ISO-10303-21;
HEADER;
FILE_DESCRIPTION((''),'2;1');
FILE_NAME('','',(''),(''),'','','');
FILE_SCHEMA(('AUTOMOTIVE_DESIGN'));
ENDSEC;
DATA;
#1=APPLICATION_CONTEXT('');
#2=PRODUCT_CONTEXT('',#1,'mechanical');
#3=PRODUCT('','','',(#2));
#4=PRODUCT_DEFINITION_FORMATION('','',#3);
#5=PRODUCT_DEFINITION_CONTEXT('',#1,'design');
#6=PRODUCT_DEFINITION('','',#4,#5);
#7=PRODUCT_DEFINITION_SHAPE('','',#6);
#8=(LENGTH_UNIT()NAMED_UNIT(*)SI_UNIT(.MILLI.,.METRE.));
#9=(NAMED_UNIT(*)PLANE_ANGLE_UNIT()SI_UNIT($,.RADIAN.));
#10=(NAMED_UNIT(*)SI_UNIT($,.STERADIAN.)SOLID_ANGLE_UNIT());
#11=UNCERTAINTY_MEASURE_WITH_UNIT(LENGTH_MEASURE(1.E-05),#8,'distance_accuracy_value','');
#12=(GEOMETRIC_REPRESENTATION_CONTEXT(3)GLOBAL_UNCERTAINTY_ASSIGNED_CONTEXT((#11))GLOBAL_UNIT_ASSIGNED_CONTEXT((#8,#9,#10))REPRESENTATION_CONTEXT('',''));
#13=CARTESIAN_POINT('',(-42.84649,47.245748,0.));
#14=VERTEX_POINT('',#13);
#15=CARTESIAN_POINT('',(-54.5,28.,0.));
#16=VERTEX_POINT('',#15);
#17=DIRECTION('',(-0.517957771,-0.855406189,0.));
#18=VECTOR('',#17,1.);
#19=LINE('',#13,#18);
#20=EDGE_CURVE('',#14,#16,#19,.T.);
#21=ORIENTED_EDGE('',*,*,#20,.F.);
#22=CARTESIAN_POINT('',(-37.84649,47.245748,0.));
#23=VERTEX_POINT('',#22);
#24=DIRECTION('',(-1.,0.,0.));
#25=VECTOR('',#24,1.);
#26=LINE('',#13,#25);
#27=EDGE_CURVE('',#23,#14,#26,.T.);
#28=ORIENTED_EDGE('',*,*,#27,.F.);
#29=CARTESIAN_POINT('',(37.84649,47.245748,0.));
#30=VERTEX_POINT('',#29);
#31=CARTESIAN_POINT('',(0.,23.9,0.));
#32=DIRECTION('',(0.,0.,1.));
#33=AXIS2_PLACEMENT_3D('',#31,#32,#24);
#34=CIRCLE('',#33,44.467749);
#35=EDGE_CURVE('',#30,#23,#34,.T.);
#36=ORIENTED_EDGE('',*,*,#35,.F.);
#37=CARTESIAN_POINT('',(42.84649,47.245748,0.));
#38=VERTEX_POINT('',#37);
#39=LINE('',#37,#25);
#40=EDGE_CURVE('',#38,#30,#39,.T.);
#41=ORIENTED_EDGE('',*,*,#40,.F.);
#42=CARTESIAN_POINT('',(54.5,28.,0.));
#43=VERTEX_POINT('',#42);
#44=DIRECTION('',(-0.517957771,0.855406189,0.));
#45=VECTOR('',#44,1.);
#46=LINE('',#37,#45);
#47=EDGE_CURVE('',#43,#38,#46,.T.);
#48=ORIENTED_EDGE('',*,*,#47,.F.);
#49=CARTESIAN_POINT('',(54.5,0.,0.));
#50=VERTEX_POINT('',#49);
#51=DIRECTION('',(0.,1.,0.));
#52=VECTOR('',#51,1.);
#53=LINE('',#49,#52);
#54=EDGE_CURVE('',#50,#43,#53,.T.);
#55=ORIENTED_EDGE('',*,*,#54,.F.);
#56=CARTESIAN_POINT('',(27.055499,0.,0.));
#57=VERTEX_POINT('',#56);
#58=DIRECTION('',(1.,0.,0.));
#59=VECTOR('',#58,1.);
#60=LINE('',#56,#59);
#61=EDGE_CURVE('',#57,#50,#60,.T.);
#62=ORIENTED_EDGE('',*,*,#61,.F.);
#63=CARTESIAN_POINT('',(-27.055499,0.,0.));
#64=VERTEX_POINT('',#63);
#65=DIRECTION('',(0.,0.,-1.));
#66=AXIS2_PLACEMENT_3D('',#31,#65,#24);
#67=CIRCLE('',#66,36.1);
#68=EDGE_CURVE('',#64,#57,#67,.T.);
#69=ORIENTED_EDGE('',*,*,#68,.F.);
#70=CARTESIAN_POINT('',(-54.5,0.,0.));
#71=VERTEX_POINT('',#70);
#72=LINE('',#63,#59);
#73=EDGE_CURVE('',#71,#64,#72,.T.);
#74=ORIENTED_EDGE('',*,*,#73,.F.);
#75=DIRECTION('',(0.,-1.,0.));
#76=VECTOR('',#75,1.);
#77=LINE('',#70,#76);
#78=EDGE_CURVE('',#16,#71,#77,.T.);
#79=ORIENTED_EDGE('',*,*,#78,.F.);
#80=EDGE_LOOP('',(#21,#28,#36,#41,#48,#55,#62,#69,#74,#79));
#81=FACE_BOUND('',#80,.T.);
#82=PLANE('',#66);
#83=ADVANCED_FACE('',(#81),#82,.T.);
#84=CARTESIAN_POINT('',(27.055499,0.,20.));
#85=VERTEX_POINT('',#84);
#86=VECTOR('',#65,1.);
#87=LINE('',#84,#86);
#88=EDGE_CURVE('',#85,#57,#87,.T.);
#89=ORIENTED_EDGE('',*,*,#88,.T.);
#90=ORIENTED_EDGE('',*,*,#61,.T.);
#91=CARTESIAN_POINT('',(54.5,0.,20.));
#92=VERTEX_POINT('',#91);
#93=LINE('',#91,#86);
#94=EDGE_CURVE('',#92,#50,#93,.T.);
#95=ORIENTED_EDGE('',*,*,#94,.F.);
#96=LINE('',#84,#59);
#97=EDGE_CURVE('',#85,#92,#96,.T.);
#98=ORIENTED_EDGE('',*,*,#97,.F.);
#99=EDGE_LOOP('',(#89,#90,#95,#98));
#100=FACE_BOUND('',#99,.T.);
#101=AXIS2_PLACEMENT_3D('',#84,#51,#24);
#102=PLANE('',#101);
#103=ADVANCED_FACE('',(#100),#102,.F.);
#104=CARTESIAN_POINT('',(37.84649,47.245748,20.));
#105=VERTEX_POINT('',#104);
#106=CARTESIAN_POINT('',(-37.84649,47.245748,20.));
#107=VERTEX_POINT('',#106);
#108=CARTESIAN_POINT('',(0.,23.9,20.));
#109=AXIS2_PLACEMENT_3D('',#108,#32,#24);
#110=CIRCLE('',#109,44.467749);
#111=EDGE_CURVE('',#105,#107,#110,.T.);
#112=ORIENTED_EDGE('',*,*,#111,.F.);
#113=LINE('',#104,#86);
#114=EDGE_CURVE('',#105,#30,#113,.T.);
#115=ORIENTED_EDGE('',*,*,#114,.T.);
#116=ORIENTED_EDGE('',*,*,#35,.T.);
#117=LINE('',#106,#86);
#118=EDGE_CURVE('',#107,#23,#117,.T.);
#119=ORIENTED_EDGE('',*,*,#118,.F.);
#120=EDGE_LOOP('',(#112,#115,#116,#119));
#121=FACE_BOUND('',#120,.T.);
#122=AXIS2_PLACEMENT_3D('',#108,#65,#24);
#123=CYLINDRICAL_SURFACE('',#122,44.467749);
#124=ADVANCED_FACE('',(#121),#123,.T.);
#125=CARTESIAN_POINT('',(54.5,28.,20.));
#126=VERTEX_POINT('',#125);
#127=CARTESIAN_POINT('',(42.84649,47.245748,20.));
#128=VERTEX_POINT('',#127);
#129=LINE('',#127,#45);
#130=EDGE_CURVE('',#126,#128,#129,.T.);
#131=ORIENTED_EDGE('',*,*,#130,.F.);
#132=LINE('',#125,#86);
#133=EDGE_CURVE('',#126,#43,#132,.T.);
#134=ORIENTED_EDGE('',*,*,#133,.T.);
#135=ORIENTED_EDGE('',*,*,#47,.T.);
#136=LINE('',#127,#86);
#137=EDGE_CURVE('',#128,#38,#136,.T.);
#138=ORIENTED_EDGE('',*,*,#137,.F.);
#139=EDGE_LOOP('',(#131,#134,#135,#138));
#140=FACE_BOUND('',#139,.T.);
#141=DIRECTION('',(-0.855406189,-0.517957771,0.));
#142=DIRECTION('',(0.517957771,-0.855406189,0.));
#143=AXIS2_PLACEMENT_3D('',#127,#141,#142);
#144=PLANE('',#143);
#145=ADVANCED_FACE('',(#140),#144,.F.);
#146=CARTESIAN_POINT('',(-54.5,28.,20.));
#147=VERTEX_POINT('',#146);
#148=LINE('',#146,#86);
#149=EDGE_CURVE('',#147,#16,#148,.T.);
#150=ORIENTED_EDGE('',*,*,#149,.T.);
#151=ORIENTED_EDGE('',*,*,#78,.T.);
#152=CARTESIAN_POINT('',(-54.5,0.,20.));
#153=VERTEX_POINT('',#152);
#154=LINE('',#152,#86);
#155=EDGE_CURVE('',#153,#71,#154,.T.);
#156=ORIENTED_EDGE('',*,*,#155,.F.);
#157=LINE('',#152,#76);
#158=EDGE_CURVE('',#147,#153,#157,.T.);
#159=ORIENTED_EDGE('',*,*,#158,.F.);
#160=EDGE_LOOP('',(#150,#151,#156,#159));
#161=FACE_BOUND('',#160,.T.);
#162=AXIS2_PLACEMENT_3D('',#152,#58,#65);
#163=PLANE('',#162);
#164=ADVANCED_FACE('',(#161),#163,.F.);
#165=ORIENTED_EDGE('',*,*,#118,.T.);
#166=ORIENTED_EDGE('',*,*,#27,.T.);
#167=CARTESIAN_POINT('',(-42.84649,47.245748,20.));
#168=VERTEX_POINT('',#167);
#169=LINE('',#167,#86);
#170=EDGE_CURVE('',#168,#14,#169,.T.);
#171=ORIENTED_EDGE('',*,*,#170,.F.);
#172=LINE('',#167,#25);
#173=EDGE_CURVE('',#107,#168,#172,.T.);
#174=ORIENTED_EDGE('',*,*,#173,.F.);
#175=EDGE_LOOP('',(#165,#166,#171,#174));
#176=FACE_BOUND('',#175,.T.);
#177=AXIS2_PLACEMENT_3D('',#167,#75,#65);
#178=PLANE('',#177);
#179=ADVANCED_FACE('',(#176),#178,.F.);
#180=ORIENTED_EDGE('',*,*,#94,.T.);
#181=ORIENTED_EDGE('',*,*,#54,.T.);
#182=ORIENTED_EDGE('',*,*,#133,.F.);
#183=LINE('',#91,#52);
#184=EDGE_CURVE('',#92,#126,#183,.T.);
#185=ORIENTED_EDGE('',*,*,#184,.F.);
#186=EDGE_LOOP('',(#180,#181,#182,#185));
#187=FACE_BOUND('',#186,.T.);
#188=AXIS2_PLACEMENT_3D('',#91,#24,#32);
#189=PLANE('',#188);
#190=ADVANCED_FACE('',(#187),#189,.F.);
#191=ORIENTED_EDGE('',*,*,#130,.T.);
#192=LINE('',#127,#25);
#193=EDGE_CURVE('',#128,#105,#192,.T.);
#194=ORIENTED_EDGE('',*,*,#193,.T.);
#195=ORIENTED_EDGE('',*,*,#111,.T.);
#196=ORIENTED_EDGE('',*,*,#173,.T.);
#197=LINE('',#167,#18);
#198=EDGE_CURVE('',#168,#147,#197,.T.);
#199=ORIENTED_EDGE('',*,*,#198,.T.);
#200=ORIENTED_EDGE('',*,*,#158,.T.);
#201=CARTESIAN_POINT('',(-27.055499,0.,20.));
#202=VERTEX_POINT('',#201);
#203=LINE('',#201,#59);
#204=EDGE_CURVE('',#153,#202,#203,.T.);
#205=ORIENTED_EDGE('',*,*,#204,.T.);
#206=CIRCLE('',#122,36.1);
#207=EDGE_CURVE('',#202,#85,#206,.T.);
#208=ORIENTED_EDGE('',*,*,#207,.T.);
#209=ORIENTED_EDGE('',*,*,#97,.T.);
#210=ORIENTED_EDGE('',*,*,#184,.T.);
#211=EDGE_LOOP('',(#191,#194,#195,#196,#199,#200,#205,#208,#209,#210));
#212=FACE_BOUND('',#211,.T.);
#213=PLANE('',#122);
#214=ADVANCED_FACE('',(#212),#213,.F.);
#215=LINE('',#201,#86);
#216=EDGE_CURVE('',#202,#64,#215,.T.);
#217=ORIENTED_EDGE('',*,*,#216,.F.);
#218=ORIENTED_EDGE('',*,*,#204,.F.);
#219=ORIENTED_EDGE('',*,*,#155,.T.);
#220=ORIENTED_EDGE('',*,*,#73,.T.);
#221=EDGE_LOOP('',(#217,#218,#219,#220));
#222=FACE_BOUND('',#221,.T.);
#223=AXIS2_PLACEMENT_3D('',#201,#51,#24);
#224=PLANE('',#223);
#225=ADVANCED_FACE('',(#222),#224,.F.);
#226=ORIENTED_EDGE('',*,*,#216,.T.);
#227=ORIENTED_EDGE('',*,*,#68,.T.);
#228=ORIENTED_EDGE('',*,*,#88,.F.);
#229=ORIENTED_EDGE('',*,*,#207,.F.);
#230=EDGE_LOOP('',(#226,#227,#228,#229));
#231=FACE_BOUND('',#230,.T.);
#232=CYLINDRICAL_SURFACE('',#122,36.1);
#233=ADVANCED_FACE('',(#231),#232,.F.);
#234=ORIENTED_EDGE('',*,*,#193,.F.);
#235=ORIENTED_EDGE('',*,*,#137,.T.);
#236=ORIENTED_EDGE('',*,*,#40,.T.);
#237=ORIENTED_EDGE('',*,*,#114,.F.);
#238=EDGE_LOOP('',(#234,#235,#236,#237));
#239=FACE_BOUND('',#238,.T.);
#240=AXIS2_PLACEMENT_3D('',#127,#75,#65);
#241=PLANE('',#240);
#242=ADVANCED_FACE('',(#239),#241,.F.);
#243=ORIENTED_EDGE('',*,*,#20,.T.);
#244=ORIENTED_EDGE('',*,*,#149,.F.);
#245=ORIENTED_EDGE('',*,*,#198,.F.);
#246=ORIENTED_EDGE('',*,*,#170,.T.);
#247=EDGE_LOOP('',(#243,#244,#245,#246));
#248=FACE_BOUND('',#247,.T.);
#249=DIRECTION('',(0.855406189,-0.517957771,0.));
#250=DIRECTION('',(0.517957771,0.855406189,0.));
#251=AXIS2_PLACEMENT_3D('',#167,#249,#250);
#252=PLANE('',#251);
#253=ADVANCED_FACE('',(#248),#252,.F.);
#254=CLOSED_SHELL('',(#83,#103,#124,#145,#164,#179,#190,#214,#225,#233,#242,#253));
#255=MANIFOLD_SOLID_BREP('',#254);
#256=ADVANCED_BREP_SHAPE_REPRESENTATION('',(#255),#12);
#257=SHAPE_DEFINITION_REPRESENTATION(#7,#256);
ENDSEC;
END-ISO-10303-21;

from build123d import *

# Parameters (mm, degrees)
RESSALTO_EXTRUS_O1_DEPTH = 20


with BuildPart() as part:
    # Esboço1 → Ressalto-extrusão1 (new body)
    with BuildSketch(Plane.XY):
        with BuildLine():
            Line((-27.055498517, 0), (-54.5, 0))
            Line((-54.5, 0), (-54.5, 28))
            Line((-54.5, 28), (-42.846489815, 47.245748005))
            Line((-42.846489815, 47.245748005), (-37.846489815, 47.245748005))
            ThreePointArc((-37.846489815, 47.245748005), (0, 68.367749451), (37.846489815, 47.245748005))
            Line((37.846489815, 47.245748005), (42.846489815, 47.245748005))
            Line((42.846489815, 47.245748005), (54.5, 28))
            Line((54.5, 28), (54.5, 0))
            Line((54.5, 0), (27.055498517, 0))
            ThreePointArc((27.055498517, 0), (0, 60), (-27.055498517, 0))
        make_face()
    extrude(amount=RESSALTO_EXTRUS_O1_DEPTH)


solid = part.part
